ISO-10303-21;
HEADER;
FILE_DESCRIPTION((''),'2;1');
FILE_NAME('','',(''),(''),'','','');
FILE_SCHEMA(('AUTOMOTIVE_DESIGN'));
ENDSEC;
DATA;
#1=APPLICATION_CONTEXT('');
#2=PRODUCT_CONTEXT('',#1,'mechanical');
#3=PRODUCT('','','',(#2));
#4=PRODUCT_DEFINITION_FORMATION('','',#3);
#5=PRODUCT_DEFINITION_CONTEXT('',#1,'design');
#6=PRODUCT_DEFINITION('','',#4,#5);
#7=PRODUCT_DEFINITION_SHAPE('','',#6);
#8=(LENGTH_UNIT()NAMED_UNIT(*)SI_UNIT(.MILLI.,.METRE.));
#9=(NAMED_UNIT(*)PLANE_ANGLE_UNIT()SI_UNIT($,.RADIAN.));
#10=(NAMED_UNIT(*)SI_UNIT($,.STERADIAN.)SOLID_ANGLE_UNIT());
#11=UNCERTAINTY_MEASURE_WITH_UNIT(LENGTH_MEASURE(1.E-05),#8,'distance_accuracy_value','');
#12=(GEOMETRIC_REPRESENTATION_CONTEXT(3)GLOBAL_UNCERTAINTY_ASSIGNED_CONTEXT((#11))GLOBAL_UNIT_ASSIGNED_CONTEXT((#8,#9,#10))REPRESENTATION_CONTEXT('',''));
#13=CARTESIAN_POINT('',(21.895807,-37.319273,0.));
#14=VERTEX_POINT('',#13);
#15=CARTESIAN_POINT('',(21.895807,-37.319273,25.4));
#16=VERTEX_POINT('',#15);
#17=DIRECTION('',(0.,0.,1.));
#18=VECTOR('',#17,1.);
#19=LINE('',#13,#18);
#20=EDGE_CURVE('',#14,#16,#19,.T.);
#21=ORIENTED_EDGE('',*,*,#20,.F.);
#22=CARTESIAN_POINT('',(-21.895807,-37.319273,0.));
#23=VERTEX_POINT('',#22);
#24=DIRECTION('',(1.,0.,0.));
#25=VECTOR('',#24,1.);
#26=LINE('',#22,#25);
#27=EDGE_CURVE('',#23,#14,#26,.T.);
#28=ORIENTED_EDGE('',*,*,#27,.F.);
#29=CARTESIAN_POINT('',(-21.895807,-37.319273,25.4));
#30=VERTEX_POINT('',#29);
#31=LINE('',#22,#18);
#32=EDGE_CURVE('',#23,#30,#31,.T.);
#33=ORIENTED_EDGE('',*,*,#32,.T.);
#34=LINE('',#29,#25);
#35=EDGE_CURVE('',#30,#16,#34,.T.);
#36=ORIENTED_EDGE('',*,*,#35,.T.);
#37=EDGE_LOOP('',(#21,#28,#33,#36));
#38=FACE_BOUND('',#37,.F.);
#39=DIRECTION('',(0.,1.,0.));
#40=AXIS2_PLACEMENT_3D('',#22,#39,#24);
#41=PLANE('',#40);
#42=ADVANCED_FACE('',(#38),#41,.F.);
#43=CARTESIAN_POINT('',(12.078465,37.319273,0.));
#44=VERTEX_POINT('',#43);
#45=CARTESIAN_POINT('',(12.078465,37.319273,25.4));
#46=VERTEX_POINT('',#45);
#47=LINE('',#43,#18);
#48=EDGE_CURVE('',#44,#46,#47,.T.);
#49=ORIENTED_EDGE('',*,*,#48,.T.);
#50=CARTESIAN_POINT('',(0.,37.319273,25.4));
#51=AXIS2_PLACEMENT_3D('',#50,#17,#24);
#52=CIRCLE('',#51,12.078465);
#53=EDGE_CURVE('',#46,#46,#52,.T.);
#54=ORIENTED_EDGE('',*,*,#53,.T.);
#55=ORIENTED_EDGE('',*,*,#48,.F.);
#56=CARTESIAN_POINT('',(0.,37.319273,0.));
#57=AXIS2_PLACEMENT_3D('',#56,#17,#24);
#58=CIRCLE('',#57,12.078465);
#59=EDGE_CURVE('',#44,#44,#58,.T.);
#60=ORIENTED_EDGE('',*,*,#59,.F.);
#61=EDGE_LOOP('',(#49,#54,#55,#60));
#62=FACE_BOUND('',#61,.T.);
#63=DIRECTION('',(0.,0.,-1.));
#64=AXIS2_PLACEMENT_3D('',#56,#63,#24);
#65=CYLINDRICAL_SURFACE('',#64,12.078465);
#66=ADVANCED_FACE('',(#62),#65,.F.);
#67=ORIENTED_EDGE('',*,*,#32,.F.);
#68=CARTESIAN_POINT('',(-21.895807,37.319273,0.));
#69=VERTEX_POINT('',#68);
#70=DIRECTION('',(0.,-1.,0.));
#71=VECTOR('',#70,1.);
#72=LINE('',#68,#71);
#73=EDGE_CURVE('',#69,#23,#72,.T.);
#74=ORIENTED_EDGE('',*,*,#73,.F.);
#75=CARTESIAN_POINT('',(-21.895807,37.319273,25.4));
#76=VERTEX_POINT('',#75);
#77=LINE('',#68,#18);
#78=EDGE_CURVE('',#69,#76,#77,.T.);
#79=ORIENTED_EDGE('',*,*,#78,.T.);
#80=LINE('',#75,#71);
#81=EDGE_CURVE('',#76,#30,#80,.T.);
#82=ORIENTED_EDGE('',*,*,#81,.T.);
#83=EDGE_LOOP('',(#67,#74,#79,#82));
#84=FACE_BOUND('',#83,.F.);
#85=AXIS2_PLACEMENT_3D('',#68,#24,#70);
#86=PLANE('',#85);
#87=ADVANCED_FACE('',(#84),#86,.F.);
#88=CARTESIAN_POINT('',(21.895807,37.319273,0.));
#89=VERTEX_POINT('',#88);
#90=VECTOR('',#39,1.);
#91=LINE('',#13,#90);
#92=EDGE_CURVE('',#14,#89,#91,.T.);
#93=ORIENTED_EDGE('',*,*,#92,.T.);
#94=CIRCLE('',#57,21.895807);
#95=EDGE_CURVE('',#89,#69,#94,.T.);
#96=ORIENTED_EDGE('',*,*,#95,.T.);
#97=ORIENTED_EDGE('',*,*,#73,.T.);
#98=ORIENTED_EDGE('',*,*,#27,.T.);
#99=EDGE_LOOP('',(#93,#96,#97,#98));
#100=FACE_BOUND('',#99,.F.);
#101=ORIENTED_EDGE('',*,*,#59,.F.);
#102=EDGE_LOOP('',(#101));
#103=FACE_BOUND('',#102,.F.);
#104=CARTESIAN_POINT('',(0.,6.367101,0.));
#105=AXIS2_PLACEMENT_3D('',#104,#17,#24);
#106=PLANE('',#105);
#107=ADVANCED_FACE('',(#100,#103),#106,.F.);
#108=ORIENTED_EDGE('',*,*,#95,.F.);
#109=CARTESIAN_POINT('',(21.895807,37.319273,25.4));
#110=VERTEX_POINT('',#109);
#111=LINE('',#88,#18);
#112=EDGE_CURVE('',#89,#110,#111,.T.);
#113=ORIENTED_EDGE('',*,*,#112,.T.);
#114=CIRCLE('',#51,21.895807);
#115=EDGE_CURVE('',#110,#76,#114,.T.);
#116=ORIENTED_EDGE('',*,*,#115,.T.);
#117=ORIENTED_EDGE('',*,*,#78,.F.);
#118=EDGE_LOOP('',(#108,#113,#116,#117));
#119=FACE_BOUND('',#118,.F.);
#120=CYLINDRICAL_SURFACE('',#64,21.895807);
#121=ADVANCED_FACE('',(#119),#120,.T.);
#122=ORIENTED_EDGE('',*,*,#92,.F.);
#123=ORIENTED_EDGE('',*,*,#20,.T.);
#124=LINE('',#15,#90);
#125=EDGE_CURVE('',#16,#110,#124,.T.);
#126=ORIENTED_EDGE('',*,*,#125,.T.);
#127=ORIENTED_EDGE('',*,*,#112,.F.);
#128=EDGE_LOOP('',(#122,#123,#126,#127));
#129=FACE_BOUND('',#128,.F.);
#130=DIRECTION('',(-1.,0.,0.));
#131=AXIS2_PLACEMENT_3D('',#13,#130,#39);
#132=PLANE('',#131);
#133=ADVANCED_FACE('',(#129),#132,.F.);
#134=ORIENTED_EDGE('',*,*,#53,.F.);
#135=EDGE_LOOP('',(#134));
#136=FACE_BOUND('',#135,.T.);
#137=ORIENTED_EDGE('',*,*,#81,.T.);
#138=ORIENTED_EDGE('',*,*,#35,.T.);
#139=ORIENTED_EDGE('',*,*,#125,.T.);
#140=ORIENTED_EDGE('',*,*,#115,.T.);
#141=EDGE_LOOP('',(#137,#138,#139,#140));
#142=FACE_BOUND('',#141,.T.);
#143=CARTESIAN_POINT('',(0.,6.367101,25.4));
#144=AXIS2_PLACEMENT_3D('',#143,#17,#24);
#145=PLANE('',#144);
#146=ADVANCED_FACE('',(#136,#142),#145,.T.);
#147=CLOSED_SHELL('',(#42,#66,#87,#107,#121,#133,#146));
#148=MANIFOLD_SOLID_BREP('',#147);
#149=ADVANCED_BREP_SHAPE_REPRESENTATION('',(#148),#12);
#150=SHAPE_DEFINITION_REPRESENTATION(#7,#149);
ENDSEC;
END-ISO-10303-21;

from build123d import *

# Parameters (mm, degrees)
F0_R     = 12.078465
F1_DEPTH = 25.4


with BuildPart() as f1:
    # F0 (on Top) → F1 (new body)
    with BuildSketch(Plane.XY):
        with BuildLine():
            Line((-21.895807, -37.319273), (21.895807, -37.319273))
            Line((21.895807, -37.319273), (21.895807, 37.319273))
            ThreePointArc((21.895807, 37.319273), (0, 59.21508), (-21.895807, 37.319273))
            Line((-21.895807, 37.319273), (-21.895807, -37.319273))
        make_face()
        with Locations((0, 37.319273)):
            Circle(F0_R, mode=Mode.SUBTRACT)
    extrude(amount=F1_DEPTH)


solid = f1.part
